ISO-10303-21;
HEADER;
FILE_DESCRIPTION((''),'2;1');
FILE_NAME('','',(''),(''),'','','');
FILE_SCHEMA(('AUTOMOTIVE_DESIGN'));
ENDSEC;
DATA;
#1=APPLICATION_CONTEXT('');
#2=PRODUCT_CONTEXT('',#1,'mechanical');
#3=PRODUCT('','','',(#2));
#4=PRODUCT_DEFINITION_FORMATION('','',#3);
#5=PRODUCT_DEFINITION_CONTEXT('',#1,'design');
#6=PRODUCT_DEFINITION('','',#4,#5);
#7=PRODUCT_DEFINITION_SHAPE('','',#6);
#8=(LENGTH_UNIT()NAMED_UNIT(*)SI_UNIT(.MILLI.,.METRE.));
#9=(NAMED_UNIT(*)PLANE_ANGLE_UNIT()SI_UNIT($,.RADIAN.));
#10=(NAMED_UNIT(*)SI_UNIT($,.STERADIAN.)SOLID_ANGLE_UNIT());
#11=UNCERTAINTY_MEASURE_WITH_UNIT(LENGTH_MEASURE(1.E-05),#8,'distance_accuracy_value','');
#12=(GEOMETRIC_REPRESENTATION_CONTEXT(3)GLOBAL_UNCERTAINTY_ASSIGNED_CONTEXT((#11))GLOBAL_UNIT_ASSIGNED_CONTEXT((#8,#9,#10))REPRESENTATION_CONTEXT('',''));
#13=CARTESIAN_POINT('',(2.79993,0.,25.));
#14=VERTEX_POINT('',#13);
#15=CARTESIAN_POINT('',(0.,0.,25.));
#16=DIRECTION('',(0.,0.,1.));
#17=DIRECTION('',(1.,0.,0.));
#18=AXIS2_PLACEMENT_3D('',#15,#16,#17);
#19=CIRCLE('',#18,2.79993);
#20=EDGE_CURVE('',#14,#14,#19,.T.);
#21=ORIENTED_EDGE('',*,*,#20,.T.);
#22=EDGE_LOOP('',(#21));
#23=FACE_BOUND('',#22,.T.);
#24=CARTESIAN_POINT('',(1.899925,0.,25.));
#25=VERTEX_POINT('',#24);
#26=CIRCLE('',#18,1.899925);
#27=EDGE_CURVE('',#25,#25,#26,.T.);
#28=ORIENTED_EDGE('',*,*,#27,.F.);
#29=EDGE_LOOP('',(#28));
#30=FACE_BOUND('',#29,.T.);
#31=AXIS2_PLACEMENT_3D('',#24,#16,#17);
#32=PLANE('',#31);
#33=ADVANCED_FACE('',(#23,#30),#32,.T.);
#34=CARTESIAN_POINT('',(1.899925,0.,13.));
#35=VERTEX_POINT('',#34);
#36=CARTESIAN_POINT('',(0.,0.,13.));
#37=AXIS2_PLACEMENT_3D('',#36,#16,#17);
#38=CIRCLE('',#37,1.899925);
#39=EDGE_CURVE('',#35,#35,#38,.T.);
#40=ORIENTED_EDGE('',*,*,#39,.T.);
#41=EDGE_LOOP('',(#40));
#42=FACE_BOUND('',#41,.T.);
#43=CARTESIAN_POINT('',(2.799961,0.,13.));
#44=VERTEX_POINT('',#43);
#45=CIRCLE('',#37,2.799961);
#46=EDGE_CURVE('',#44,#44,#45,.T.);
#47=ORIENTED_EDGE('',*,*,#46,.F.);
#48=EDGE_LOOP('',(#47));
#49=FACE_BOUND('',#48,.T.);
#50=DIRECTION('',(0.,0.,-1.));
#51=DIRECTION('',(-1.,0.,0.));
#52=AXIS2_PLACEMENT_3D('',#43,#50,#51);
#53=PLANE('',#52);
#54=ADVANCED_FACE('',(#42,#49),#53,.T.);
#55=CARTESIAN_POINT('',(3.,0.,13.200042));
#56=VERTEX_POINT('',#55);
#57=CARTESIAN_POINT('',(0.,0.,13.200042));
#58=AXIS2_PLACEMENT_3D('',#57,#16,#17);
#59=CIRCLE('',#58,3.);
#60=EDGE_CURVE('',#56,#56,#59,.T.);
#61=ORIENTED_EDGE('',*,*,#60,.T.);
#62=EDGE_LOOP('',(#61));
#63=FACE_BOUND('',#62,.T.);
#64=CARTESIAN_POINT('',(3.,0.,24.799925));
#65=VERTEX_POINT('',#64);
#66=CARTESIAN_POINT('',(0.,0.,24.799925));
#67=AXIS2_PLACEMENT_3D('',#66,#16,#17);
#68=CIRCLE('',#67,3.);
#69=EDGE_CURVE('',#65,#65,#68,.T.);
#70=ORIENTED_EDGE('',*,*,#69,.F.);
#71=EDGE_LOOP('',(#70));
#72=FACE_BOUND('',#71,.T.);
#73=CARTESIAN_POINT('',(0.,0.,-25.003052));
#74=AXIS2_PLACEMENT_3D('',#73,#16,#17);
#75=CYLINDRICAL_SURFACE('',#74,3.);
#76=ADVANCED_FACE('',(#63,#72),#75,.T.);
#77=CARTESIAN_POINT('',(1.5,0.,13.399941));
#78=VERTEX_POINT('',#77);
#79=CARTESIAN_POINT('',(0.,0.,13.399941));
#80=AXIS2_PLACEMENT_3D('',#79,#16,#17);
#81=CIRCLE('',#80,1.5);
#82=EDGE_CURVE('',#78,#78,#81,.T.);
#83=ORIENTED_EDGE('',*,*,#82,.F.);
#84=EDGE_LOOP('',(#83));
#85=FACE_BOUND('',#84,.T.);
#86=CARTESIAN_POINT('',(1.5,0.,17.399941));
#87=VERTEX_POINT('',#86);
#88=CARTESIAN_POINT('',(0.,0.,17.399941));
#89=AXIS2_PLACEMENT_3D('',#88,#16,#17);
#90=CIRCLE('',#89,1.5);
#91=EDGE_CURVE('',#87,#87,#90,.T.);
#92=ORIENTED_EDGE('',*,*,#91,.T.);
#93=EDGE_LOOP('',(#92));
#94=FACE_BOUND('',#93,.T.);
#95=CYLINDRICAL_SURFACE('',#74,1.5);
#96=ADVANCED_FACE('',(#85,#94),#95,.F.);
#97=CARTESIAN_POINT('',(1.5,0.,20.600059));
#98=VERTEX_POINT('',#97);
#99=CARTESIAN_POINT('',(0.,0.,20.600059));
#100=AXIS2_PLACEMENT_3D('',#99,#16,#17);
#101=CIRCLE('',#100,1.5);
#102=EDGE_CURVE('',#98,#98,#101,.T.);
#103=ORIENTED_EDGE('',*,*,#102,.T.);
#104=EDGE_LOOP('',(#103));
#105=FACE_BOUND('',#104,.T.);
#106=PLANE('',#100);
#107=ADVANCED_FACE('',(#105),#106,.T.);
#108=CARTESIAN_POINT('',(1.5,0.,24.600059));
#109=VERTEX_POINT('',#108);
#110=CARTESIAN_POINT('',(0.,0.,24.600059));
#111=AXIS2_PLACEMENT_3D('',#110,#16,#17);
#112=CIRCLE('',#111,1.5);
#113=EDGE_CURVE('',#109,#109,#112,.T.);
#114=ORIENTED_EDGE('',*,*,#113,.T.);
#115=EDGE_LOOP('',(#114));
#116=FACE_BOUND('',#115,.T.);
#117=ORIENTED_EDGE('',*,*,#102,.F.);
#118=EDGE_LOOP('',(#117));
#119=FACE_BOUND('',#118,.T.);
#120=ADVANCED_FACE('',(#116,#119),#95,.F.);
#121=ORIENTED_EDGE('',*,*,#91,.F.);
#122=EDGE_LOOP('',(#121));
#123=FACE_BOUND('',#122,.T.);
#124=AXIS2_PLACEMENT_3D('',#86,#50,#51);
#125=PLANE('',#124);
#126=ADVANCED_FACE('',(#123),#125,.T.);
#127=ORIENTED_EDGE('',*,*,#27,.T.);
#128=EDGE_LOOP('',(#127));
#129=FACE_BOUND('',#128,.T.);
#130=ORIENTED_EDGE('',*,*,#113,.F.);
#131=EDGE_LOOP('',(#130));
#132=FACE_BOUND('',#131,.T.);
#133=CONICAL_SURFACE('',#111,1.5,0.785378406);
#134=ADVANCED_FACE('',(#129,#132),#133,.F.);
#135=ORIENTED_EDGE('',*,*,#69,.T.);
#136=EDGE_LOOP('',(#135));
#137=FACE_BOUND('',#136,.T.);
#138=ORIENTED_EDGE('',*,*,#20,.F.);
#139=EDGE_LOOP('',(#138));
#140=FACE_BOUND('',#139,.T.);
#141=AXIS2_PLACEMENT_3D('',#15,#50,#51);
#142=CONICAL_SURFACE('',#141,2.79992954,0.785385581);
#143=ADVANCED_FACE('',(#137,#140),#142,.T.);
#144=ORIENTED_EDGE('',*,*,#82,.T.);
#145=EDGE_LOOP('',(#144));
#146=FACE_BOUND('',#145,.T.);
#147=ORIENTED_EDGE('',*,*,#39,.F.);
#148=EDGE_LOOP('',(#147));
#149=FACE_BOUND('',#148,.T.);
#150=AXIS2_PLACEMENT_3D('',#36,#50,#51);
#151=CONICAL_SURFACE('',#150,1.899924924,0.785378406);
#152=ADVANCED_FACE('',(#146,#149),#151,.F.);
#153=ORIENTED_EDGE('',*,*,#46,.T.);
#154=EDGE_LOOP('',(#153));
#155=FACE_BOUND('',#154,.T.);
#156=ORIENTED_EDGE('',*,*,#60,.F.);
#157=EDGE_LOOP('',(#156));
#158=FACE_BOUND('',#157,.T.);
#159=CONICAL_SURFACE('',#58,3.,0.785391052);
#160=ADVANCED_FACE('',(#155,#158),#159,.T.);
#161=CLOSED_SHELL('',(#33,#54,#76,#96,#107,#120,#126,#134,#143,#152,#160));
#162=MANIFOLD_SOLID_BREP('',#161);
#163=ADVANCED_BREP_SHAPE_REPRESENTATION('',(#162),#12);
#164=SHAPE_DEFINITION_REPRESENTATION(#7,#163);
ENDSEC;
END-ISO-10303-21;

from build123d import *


with BuildPart() as part:
    # 草图1 → 旋转1 (revolve)
    with BuildSketch(Plane(origin=(0, 0, 0), x_dir=(1, 0, 0), z_dir=(0, 1, 0))):
        Polygon((1.5, -17.399940727), (0, -17.399940727), (0, -20.600059273), (1.5, -20.600059273), (1.5, -24.600059273), (1.899924924, -25), (2.79992954, -25), (3, -24.799924505), (3, -13.200041756), (2.799961089, -13), (1.899924924, -13), (1.5, -13.399940727), align=None)
    revolve(axis=Axis((0, 0, -25.003051641), (0, 0, 1)))


solid = part.part
